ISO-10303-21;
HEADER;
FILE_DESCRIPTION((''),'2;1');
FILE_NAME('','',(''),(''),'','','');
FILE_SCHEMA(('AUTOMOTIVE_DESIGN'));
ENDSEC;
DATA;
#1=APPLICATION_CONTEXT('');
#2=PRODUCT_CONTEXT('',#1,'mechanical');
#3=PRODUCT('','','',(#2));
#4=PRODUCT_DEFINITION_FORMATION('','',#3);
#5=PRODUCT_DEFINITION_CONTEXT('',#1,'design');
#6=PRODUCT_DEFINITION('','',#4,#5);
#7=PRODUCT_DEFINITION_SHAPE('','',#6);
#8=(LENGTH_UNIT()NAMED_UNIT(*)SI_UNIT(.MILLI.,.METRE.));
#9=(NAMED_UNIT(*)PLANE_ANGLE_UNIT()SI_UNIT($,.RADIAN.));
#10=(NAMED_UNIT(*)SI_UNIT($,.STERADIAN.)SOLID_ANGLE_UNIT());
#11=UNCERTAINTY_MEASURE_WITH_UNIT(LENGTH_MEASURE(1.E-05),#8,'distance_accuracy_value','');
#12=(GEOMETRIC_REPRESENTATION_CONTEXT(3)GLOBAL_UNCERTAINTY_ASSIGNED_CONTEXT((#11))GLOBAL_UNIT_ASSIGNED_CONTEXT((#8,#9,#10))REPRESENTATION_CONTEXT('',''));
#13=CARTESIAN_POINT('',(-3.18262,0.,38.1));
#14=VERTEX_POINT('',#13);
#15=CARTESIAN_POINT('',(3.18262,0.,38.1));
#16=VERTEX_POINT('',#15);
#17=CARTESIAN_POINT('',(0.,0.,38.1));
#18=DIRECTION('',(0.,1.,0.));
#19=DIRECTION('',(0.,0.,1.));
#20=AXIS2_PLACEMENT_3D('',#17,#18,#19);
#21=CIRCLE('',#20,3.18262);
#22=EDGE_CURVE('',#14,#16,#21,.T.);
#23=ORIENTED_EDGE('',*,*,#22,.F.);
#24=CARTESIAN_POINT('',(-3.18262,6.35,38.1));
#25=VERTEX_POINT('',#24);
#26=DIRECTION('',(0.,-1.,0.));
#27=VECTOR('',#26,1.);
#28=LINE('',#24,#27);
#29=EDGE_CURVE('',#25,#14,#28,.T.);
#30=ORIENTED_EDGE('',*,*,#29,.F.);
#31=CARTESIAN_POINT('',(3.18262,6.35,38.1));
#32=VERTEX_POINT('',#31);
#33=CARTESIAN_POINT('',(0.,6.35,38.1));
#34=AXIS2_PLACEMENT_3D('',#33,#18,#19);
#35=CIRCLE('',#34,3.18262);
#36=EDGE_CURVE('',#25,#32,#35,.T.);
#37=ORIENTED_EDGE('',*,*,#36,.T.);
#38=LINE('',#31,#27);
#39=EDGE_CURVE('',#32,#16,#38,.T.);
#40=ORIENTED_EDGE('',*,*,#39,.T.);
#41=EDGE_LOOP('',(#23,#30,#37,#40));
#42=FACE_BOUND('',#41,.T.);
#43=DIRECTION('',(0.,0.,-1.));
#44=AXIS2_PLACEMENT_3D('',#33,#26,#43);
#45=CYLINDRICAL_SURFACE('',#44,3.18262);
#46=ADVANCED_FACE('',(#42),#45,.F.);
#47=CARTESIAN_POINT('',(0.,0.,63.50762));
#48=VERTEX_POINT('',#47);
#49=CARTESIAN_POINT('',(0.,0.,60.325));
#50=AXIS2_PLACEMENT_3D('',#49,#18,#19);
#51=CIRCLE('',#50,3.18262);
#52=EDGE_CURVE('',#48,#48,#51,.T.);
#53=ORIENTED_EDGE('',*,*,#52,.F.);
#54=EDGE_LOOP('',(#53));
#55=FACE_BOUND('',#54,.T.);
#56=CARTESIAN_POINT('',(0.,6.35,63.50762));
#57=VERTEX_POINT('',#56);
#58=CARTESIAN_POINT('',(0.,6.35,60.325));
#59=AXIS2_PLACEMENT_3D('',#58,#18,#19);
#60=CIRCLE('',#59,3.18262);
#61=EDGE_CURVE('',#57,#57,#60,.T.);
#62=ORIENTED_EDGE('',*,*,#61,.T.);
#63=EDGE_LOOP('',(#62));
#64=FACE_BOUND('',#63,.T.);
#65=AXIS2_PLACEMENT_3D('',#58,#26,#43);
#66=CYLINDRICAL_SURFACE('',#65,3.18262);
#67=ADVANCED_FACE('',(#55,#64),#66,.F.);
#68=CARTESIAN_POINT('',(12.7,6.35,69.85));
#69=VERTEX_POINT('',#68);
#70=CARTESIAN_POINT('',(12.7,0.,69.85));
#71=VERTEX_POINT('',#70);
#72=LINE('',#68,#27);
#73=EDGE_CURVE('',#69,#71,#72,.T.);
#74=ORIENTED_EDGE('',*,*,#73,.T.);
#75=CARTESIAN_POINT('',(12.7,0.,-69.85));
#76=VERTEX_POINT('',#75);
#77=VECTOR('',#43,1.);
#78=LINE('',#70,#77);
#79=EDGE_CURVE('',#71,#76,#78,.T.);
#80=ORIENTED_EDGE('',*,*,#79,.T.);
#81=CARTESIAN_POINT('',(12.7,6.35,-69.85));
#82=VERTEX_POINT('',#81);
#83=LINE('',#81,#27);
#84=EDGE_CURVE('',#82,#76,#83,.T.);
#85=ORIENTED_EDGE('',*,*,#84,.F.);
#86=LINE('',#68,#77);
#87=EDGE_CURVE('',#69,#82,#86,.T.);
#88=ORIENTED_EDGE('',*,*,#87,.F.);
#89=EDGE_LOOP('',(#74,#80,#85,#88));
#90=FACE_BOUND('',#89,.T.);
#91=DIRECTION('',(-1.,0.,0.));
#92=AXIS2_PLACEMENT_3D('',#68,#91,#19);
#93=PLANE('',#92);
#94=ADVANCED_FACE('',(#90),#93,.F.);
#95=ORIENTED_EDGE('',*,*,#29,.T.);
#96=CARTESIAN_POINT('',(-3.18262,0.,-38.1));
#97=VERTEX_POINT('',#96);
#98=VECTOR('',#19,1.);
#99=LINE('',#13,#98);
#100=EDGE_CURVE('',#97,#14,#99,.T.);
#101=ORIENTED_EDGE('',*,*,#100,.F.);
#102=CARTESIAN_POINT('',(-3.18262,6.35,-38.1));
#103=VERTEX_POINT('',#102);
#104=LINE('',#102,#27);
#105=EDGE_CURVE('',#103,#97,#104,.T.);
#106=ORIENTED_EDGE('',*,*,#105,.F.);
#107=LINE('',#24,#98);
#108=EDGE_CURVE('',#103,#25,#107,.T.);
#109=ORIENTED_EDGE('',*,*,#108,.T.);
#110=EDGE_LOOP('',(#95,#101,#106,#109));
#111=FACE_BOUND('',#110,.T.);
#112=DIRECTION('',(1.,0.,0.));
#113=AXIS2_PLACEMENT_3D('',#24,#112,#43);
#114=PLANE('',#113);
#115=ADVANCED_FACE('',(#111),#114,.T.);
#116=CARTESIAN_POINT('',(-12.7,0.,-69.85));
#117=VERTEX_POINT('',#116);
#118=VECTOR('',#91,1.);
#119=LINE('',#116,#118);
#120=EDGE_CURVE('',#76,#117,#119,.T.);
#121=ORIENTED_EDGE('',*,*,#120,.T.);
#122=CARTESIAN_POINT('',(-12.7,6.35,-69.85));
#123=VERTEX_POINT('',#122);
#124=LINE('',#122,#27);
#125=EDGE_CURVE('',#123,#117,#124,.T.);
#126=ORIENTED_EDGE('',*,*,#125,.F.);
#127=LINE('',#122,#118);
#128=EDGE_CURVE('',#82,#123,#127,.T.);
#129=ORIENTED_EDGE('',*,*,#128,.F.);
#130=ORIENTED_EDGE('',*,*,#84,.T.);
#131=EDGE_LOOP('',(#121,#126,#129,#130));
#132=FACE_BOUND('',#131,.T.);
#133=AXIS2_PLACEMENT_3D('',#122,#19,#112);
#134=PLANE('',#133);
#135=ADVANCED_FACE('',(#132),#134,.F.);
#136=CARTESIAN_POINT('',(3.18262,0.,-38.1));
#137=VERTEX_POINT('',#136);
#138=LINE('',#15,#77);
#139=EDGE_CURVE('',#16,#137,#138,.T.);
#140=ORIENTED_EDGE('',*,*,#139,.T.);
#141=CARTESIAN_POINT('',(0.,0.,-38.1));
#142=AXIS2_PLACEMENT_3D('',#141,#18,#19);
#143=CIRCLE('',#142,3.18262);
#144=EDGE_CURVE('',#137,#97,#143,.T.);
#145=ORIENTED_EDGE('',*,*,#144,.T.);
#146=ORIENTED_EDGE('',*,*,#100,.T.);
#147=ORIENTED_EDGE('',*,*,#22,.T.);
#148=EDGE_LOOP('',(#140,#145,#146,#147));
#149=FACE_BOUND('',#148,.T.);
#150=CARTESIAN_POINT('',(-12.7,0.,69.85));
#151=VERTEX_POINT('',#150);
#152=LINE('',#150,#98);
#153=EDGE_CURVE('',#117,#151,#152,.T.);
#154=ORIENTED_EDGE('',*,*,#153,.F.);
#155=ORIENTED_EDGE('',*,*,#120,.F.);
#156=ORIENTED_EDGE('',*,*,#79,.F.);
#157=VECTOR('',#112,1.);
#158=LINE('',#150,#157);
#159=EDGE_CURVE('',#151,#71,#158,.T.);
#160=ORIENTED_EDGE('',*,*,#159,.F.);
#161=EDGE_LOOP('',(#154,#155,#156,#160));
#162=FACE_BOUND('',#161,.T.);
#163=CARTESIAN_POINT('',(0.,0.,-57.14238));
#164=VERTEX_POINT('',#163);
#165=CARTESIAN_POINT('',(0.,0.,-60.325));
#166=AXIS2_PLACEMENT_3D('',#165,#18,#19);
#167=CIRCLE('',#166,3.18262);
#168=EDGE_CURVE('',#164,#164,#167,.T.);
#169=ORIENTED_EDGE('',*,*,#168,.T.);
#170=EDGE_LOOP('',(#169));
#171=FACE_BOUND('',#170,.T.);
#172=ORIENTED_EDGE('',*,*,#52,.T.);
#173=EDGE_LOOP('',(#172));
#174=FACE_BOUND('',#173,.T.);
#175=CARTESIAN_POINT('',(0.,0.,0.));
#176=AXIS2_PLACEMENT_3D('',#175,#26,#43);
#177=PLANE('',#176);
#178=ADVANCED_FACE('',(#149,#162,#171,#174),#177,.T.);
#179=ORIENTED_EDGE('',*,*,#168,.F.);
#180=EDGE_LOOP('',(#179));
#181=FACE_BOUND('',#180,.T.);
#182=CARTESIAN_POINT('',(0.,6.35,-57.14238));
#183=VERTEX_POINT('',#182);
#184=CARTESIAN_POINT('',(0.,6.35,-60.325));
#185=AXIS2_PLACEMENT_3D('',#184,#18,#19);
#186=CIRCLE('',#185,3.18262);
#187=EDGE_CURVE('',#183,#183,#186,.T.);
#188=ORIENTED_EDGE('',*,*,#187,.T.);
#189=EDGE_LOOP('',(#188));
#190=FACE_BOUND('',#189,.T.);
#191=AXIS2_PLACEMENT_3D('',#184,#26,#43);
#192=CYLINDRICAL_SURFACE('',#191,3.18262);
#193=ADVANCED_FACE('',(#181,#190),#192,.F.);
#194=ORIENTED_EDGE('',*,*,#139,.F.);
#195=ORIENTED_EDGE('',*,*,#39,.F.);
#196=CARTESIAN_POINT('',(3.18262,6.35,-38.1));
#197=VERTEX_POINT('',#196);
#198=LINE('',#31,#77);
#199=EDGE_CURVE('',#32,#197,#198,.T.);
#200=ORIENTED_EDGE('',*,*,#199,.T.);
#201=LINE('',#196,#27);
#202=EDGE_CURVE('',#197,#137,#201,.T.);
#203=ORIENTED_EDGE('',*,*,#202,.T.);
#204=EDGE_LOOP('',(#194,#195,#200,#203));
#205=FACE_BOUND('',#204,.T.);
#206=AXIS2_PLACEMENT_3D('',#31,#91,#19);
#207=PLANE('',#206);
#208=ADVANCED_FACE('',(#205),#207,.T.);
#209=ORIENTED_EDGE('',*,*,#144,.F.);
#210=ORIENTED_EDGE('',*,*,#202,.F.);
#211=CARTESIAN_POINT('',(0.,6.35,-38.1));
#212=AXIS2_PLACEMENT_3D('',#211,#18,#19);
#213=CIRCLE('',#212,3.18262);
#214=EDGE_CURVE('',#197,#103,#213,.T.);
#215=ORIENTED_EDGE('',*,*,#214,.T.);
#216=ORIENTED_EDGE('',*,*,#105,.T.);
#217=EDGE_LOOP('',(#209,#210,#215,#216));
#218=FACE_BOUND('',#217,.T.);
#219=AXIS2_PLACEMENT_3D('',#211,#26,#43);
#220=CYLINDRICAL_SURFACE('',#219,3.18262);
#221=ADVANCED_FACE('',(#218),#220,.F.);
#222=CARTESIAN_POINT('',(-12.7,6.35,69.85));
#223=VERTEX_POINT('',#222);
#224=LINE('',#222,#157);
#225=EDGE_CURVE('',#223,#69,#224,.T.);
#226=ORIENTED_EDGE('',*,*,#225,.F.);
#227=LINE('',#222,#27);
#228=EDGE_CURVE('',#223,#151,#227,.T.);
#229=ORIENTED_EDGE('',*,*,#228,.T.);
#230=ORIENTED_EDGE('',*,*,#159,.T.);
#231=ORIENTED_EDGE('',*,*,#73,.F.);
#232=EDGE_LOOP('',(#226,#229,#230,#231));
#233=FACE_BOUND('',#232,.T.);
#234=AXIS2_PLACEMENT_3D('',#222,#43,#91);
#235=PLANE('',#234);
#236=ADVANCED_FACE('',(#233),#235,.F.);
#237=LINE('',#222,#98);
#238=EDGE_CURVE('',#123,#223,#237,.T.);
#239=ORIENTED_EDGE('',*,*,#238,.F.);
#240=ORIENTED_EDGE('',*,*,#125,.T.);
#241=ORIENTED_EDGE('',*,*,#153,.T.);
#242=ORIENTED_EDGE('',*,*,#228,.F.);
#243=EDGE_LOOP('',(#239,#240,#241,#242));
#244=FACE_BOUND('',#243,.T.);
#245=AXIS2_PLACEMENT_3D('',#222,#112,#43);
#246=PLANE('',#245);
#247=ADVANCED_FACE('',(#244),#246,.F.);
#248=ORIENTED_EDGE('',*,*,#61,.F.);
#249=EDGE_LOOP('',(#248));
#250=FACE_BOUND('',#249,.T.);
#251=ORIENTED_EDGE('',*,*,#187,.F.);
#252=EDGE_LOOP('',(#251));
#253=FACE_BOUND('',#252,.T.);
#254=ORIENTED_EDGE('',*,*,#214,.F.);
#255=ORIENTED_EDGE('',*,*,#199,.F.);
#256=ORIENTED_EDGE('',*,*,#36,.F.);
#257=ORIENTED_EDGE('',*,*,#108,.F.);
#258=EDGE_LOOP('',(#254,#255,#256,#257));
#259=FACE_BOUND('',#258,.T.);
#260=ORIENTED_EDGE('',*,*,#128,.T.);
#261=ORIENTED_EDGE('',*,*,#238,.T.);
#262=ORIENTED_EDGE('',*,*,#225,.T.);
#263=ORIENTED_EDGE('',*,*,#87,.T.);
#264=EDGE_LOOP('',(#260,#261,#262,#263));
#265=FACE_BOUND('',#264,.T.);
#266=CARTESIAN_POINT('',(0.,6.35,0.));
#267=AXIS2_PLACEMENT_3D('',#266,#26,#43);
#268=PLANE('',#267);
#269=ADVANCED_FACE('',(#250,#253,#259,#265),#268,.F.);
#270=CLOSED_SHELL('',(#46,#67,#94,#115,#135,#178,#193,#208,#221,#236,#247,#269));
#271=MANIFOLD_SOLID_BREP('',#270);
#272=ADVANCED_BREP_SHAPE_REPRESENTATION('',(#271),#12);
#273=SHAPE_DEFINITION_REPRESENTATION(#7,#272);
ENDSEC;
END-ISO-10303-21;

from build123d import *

# Parameters (mm, degrees)
SKETCH1_W           = 25.4
SKETCH1_H           = 139.7
SKETCH1_R           = 3.18262
BOSS_EXTRUDE1_DEPTH = 6.35


with BuildPart() as part:
    # Sketch1 → Boss-Extrude1 (new body)
    with BuildSketch(Plane(origin=(0, 0, 0), x_dir=(1, 0, 0), z_dir=(0, 1, 0))):
        Rectangle(SKETCH1_W, SKETCH1_H)
        with Locations(Location((0, 60.325, 0), (0, 0, 270))):
            Circle(SKETCH1_R, mode=Mode.SUBTRACT)
        with Locations(Location((0, -60.325, 0), (0, 0, 270))):
            Circle(SKETCH1_R, mode=Mode.SUBTRACT)
        with BuildLine():
            Line((-3.18262, -38.1), (-3.18262, 38.1))
            ThreePointArc((-3.18262, 38.1), (0, 41.28262), (3.18262, 38.1))
            Line((3.18262, 38.1), (3.18262, -38.1))
            ThreePointArc((3.18262, -38.1), (0, -41.28262), (-3.18262, -38.1))
        make_face(mode=Mode.SUBTRACT)
    extrude(amount=BOSS_EXTRUDE1_DEPTH)


solid = part.part
